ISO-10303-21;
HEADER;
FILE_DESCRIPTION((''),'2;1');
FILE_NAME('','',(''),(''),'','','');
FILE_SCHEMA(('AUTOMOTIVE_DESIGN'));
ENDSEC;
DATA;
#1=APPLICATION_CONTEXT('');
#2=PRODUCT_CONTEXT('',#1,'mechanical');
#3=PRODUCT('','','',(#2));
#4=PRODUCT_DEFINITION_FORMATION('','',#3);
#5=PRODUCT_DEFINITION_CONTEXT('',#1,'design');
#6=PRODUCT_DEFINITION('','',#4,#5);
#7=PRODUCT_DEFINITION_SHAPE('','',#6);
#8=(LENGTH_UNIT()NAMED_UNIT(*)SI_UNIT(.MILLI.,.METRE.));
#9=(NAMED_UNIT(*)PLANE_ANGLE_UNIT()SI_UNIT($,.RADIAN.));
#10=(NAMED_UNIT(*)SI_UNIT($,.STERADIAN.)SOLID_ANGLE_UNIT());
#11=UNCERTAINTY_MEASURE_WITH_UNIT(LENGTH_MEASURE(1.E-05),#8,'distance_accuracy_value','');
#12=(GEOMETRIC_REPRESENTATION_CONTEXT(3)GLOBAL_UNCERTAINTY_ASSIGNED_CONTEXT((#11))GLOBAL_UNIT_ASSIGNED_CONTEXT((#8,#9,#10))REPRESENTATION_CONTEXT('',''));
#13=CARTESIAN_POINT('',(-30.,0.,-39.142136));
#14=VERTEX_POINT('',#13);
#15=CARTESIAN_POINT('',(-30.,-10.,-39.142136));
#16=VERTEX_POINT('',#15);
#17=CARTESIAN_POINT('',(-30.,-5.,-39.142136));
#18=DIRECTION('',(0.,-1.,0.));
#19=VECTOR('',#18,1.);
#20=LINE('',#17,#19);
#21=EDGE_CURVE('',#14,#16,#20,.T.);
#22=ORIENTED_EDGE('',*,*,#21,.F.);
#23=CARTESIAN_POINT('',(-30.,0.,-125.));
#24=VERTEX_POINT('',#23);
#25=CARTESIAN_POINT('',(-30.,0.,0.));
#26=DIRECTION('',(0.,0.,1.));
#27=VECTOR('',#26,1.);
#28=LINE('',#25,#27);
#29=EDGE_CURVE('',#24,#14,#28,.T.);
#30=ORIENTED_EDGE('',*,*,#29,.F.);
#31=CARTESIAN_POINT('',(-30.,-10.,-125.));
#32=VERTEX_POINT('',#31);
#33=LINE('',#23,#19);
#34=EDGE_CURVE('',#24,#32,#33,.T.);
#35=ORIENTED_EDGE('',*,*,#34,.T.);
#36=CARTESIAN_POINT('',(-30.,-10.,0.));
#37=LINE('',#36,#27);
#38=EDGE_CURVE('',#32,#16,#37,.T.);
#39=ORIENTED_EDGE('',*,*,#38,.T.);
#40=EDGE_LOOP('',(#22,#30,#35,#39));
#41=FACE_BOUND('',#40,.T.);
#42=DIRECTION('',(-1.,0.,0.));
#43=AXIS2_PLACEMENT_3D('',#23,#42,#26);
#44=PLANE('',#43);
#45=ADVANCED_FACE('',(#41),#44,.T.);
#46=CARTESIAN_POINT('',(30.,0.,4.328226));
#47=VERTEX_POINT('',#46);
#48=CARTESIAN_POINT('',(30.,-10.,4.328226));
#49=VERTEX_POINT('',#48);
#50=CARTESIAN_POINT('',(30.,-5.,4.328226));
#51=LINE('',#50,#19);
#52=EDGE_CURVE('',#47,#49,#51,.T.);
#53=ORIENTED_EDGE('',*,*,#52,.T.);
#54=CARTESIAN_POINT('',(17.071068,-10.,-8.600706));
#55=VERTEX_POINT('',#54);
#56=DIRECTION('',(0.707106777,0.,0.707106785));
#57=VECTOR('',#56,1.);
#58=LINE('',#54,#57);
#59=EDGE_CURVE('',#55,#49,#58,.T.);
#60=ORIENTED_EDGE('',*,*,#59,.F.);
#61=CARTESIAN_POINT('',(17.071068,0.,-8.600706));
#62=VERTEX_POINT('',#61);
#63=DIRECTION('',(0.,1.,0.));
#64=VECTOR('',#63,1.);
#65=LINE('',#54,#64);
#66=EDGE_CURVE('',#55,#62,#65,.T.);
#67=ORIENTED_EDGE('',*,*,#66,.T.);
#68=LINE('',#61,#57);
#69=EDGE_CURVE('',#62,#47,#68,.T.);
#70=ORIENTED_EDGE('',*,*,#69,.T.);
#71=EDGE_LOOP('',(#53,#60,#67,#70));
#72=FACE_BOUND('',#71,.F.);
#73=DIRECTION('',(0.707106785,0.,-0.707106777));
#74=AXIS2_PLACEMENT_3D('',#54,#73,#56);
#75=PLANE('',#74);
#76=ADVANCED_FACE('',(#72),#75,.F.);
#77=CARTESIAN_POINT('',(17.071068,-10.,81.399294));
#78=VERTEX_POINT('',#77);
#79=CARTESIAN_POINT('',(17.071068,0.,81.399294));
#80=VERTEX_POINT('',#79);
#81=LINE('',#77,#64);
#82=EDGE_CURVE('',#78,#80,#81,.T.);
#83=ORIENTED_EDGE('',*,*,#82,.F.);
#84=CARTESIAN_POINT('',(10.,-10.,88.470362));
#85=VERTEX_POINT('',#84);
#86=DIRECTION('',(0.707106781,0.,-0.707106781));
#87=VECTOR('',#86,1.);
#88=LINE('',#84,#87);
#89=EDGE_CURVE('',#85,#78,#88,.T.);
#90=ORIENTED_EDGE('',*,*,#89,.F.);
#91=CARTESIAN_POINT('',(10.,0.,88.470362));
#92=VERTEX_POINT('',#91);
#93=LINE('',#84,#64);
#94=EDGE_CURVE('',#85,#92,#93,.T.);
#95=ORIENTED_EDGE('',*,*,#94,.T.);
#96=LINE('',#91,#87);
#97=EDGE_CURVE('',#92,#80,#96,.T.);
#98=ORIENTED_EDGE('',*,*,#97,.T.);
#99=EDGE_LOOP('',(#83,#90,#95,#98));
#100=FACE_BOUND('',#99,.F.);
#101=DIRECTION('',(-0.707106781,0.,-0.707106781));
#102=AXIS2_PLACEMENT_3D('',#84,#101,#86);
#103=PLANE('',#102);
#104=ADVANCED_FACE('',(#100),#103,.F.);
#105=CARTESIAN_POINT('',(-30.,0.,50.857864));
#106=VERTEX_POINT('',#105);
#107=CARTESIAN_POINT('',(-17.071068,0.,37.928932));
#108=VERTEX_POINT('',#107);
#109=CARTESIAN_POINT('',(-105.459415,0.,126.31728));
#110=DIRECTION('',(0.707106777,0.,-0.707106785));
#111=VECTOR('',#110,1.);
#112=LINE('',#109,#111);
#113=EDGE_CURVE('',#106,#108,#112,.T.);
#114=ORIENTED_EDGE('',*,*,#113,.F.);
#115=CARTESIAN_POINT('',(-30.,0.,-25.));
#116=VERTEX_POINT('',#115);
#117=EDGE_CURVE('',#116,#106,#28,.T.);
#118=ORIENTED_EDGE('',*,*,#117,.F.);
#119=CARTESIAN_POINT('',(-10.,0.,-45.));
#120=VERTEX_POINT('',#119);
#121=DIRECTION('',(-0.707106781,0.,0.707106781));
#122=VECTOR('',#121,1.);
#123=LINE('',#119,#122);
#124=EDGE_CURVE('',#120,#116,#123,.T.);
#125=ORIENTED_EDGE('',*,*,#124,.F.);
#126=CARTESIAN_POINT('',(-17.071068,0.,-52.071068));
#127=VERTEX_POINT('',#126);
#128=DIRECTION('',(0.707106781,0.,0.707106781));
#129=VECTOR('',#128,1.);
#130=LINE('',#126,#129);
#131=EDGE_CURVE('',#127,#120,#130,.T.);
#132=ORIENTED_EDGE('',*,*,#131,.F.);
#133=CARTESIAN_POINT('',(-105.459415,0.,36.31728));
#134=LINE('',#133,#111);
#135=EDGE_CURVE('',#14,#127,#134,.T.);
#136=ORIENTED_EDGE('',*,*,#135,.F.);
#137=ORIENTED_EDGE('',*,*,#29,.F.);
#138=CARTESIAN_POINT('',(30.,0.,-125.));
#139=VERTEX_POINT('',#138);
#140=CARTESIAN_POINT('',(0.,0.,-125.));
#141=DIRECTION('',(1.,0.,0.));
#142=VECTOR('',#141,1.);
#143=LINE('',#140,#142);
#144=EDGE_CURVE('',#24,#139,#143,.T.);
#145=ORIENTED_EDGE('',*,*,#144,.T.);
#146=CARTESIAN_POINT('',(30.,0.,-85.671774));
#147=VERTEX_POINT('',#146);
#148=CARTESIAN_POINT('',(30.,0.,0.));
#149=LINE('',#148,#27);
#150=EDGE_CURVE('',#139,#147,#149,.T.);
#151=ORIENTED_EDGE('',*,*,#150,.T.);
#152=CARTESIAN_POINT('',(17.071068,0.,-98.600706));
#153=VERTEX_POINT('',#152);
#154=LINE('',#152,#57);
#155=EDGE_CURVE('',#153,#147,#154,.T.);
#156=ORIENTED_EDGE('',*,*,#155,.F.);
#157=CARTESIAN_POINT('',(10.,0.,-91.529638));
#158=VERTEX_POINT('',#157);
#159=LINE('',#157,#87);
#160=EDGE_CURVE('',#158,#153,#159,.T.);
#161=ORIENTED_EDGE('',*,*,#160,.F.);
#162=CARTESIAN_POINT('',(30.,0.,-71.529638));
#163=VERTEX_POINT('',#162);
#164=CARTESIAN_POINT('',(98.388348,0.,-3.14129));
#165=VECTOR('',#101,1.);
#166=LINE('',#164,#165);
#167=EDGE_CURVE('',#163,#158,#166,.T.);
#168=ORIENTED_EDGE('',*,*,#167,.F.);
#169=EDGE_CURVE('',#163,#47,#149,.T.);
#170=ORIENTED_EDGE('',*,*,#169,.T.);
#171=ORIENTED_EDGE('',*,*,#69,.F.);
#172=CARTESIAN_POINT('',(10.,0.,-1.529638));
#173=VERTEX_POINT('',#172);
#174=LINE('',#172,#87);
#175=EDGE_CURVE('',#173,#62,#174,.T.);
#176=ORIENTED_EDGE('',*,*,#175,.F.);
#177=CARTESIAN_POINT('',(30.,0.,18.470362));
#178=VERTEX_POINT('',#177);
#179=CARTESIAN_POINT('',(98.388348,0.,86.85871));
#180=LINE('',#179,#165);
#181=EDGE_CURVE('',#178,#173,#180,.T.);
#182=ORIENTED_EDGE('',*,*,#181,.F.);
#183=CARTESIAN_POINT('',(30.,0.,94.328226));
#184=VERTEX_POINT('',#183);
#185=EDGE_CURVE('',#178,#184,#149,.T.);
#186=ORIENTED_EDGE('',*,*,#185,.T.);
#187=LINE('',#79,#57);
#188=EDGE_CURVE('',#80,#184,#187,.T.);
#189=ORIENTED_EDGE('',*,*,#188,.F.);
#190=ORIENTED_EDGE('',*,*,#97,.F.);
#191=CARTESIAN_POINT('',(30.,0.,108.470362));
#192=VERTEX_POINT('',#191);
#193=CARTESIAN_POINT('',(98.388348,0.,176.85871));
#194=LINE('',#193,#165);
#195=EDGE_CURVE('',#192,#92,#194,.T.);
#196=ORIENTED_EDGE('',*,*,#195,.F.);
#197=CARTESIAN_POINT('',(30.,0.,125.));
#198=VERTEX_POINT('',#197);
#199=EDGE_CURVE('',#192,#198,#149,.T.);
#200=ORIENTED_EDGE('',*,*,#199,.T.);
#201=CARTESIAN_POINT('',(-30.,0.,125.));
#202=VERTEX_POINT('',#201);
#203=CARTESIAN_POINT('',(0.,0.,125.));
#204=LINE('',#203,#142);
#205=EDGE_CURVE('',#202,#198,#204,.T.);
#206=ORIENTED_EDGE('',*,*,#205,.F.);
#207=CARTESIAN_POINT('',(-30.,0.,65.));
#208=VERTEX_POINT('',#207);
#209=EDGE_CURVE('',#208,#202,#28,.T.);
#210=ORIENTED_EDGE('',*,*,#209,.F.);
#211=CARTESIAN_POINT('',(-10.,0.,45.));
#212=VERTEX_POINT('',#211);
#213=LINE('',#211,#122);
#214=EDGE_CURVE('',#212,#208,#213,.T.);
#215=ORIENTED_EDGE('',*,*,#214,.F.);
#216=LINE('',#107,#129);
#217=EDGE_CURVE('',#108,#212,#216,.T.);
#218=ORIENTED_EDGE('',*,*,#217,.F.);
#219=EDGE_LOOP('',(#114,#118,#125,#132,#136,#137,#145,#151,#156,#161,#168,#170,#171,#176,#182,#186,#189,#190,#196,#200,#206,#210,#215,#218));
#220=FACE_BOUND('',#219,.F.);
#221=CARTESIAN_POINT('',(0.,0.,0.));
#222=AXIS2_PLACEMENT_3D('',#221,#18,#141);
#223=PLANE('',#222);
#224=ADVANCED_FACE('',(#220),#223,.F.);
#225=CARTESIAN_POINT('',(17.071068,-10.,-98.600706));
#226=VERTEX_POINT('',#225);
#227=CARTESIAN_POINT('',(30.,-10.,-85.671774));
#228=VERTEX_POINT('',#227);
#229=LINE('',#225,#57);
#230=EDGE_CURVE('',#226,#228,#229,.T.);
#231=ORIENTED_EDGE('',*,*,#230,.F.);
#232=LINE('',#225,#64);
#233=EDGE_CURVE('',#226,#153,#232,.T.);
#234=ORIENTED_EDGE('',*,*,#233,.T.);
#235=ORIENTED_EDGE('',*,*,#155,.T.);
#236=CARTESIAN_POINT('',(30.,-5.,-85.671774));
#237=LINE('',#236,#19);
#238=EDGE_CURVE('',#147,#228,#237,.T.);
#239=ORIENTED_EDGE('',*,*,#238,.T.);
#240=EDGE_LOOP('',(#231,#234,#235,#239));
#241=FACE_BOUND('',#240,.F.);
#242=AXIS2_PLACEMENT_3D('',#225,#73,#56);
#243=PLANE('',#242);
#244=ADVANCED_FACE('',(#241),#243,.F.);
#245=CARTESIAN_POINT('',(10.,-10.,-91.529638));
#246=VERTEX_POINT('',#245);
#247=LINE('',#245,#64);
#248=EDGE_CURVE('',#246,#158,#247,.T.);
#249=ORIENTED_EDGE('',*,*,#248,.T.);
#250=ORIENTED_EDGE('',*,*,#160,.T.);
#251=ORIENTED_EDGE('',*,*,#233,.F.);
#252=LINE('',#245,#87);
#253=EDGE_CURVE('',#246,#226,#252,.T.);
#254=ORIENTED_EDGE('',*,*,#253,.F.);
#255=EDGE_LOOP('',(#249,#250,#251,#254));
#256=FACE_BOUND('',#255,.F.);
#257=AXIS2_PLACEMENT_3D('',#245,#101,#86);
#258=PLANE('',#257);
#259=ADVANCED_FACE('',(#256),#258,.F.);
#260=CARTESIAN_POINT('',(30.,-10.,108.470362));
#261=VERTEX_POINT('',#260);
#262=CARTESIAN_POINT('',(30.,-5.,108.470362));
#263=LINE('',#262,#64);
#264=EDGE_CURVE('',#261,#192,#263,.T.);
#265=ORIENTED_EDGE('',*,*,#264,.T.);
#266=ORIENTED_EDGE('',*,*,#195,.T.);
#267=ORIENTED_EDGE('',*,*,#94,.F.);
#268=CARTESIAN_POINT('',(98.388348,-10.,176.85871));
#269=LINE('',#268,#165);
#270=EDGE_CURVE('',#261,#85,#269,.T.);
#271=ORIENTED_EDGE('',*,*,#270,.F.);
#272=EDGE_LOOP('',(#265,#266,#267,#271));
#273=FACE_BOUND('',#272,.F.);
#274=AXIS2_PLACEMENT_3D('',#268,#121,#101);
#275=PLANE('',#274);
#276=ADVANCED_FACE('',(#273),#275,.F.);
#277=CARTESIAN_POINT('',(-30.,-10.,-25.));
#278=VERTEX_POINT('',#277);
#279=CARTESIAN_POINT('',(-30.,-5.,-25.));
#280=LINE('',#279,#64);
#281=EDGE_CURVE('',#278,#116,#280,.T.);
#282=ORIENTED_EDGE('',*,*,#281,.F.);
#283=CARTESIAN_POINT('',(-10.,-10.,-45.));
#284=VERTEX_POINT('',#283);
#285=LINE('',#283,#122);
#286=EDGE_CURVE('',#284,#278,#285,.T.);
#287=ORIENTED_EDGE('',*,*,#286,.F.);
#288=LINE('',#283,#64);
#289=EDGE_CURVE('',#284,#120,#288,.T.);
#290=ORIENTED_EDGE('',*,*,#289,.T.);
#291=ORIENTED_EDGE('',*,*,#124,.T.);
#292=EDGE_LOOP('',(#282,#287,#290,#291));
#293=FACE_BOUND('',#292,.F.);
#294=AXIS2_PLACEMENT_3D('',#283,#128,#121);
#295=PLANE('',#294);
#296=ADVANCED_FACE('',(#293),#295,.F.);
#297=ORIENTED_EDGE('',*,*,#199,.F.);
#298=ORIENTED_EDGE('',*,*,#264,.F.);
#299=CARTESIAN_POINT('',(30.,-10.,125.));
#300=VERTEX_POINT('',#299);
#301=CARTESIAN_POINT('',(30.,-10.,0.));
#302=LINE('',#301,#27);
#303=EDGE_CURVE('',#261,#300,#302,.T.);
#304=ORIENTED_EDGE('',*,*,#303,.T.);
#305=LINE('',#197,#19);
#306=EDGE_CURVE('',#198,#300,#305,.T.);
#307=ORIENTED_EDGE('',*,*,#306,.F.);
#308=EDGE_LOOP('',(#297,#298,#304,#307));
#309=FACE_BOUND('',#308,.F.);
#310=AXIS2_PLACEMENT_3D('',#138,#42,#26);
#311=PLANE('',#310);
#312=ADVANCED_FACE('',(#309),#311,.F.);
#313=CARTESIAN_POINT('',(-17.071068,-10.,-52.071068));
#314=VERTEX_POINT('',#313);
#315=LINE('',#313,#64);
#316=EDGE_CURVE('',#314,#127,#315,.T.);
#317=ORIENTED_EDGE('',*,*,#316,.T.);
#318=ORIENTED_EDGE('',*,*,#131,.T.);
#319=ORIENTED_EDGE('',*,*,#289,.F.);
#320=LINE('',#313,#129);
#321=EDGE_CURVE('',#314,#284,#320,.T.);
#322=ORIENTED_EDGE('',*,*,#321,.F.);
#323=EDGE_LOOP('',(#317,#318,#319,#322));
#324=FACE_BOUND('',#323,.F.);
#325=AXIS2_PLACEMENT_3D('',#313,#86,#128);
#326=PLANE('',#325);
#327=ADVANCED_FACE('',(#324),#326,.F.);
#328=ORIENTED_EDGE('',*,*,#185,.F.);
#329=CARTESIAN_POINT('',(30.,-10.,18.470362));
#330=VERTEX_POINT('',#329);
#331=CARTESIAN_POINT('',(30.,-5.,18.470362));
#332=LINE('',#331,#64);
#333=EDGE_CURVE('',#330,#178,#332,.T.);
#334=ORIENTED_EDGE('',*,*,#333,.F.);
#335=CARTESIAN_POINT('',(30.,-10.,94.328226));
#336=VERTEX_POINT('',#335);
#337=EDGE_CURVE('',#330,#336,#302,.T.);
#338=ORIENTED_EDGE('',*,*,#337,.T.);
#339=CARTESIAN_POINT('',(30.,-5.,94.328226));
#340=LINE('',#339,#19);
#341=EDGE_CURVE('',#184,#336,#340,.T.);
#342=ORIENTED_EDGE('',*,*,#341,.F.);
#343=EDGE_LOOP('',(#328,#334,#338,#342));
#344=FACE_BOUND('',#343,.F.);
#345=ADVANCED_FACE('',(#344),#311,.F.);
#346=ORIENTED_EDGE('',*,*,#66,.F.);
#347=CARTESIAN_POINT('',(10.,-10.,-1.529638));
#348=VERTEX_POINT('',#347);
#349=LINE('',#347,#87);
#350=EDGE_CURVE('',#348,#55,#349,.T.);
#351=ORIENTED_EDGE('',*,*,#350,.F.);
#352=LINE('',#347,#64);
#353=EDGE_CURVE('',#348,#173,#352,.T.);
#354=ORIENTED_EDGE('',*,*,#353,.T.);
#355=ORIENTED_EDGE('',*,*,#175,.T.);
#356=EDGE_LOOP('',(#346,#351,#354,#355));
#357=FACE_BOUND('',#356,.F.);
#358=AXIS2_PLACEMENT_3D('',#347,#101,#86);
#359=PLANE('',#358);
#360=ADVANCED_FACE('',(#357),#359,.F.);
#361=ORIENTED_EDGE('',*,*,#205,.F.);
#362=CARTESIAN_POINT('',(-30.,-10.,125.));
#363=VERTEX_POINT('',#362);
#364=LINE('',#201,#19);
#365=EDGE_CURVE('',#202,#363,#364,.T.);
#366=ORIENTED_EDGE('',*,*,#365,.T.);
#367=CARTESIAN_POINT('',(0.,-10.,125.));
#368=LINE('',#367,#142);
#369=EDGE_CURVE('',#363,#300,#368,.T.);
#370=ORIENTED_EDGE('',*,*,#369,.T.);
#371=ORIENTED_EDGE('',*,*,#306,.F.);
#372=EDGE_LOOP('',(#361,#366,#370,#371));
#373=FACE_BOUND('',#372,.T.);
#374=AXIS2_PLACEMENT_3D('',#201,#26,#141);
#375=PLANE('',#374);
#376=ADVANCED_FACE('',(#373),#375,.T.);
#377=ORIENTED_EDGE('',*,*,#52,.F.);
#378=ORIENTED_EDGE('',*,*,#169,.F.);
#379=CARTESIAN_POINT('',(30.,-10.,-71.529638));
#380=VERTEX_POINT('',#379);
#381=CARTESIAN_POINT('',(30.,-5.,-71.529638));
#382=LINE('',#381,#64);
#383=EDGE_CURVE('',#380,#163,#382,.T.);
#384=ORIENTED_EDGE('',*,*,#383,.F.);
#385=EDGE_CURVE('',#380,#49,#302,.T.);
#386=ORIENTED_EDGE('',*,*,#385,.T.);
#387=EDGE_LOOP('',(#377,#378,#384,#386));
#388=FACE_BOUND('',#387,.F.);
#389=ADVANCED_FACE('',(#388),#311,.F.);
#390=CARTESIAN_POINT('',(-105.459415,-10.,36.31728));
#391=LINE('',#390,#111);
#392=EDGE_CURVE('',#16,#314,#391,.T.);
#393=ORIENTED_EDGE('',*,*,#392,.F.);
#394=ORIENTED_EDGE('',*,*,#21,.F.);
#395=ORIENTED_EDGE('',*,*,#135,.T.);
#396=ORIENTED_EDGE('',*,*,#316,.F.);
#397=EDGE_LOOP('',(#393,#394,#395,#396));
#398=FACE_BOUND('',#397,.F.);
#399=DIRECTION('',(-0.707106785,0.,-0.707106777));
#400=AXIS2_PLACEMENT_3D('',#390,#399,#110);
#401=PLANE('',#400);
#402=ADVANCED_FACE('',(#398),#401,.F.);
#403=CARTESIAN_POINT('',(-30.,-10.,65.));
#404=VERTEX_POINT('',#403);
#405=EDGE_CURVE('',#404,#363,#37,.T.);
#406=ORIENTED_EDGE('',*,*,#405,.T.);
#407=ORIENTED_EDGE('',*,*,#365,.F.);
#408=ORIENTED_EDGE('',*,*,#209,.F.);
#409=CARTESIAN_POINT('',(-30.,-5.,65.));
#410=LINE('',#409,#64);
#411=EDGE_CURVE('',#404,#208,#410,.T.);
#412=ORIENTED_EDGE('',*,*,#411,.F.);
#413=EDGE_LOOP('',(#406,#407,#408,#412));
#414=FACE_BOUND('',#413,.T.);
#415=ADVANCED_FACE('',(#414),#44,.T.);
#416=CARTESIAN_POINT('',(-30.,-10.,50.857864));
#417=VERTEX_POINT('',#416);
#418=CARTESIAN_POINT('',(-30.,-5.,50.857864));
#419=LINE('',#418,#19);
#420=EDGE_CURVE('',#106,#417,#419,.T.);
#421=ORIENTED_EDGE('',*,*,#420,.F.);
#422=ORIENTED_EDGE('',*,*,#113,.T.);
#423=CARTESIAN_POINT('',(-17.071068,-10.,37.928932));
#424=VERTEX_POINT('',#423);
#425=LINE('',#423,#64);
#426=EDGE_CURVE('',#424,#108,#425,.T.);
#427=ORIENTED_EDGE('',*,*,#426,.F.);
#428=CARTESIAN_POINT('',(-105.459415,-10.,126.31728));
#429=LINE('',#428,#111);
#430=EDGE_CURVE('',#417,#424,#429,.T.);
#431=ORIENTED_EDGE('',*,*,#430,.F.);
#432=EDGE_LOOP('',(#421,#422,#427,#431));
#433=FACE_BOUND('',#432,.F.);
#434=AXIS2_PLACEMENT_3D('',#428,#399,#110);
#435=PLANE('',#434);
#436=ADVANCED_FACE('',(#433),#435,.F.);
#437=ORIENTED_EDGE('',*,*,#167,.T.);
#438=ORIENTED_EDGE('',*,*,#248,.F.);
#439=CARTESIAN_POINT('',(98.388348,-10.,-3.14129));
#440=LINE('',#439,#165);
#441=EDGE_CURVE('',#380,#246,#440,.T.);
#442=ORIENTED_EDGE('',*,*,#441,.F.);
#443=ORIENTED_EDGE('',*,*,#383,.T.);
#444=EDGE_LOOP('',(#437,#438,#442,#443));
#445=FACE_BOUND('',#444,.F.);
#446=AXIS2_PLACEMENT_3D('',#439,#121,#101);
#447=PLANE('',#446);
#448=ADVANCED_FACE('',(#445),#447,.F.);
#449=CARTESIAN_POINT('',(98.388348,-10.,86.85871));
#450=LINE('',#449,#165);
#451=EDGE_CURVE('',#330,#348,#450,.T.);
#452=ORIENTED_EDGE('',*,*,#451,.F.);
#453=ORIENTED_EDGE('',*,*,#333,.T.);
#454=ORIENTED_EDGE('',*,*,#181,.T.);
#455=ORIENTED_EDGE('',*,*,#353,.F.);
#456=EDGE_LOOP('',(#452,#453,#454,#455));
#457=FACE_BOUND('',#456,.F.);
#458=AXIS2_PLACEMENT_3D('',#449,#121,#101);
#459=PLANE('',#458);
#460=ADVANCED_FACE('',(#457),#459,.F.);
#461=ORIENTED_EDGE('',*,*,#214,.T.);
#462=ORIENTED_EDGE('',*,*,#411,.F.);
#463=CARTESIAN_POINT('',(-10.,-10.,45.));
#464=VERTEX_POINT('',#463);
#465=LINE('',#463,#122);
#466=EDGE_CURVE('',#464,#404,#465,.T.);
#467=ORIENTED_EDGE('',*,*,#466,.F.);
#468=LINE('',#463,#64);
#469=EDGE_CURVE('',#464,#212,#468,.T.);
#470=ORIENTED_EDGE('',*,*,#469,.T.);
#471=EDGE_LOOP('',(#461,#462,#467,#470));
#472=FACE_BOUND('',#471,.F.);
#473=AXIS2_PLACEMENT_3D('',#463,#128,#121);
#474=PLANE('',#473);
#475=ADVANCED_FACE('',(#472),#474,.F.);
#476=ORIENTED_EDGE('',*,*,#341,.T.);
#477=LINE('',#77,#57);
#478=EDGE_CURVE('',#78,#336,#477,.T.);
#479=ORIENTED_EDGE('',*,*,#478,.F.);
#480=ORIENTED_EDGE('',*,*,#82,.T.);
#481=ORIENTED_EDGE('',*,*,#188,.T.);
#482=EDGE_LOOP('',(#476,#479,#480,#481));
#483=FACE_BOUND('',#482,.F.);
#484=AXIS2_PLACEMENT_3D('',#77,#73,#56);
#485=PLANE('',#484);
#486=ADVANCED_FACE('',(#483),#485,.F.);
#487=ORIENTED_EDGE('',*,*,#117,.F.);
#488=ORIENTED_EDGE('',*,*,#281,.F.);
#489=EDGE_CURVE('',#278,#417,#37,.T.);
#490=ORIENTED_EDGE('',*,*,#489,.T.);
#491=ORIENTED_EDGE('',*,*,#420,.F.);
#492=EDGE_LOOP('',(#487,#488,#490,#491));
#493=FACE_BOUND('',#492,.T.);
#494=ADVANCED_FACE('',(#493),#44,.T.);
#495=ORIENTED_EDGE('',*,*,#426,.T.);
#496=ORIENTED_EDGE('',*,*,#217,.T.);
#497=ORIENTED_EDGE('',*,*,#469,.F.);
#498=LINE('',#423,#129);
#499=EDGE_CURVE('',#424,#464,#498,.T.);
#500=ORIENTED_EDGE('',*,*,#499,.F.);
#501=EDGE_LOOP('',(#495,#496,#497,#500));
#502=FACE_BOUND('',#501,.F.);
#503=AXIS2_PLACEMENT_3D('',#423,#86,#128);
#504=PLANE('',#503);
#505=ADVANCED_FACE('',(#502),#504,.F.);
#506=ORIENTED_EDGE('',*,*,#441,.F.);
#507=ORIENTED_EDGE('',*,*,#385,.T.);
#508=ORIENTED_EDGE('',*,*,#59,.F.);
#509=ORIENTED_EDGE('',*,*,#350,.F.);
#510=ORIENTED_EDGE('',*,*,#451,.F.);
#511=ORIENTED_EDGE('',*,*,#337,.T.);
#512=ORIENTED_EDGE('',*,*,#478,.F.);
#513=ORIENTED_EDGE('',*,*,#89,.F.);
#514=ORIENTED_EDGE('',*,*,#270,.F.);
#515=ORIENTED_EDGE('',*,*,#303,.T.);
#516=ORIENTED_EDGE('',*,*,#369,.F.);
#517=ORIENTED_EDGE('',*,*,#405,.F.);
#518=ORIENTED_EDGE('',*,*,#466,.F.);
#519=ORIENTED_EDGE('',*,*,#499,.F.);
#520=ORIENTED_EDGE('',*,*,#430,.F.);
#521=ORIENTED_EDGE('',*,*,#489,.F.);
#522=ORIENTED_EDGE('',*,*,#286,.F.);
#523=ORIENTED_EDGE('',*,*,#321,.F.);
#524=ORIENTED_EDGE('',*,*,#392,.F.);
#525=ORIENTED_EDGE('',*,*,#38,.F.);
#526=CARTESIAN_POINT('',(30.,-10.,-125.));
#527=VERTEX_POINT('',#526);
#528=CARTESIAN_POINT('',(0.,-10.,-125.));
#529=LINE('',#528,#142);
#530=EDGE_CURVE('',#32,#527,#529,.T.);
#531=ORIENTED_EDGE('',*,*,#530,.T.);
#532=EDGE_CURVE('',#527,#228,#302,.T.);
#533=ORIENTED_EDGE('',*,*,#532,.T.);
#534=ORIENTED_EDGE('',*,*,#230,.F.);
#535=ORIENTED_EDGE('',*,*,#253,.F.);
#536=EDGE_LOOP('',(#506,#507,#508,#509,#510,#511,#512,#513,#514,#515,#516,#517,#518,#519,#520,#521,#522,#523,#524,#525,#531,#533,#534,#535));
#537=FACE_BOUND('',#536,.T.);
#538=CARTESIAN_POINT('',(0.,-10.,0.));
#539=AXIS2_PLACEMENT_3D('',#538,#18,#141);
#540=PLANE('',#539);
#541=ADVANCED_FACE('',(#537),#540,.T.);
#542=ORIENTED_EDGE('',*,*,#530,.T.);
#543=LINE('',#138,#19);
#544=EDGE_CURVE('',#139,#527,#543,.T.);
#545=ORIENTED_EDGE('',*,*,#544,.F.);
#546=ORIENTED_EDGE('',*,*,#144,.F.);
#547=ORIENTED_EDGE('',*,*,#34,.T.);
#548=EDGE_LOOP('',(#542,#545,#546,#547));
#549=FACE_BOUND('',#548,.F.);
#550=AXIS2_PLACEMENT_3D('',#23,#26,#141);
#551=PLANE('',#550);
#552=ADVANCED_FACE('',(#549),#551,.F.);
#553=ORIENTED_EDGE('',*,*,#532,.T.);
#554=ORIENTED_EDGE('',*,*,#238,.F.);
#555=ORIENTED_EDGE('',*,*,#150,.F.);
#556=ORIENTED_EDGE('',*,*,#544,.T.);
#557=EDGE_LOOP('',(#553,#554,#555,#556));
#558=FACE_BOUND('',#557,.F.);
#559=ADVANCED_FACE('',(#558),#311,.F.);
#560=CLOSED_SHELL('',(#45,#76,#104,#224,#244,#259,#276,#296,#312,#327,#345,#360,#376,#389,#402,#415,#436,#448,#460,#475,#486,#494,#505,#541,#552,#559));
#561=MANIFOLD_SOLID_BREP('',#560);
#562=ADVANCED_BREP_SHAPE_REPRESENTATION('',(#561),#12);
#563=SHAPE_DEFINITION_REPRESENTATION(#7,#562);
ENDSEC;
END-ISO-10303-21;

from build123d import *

# Parameters (mm, degrees)
F0_W     = 60
F0_H     = 250
F1_DEPTH = 10
F3_DEPTH = 10


with BuildPart() as f1:
    # F0 (on Front) → F1 (new body)
    with BuildSketch(Plane.XZ):
        Rectangle(F0_W, F0_H)
    extrude(amount=F1_DEPTH)

    # F2 (on face) → F3 (cut)
    with BuildSketch(Plane.XZ.offset(10)):
        Polygon((98.388348, 176.85871), (10, 88.470362), (17.071068, 81.399294), (105.459415, 169.787642), align=None)
        Polygon((17.071068, -8.600706), (105.459415, 79.787642), (98.388348, 86.85871), (10, -1.529638), align=None)
        Polygon((17.071068, -98.600706), (105.459415, -10.212358), (98.388348, -3.14129), (10, -91.529638), align=None)
        Polygon((-17.071068, 37.928932), (-10, 45), (-98.388348, 133.388348), (-105.459415, 126.31728), align=None)
        Polygon((-17.071068, -52.071068), (-10, -45), (-98.388348, 43.388348), (-105.459415, 36.31728), align=None)
    extrude(amount=-F3_DEPTH, mode=Mode.SUBTRACT)


solid = f1.part
